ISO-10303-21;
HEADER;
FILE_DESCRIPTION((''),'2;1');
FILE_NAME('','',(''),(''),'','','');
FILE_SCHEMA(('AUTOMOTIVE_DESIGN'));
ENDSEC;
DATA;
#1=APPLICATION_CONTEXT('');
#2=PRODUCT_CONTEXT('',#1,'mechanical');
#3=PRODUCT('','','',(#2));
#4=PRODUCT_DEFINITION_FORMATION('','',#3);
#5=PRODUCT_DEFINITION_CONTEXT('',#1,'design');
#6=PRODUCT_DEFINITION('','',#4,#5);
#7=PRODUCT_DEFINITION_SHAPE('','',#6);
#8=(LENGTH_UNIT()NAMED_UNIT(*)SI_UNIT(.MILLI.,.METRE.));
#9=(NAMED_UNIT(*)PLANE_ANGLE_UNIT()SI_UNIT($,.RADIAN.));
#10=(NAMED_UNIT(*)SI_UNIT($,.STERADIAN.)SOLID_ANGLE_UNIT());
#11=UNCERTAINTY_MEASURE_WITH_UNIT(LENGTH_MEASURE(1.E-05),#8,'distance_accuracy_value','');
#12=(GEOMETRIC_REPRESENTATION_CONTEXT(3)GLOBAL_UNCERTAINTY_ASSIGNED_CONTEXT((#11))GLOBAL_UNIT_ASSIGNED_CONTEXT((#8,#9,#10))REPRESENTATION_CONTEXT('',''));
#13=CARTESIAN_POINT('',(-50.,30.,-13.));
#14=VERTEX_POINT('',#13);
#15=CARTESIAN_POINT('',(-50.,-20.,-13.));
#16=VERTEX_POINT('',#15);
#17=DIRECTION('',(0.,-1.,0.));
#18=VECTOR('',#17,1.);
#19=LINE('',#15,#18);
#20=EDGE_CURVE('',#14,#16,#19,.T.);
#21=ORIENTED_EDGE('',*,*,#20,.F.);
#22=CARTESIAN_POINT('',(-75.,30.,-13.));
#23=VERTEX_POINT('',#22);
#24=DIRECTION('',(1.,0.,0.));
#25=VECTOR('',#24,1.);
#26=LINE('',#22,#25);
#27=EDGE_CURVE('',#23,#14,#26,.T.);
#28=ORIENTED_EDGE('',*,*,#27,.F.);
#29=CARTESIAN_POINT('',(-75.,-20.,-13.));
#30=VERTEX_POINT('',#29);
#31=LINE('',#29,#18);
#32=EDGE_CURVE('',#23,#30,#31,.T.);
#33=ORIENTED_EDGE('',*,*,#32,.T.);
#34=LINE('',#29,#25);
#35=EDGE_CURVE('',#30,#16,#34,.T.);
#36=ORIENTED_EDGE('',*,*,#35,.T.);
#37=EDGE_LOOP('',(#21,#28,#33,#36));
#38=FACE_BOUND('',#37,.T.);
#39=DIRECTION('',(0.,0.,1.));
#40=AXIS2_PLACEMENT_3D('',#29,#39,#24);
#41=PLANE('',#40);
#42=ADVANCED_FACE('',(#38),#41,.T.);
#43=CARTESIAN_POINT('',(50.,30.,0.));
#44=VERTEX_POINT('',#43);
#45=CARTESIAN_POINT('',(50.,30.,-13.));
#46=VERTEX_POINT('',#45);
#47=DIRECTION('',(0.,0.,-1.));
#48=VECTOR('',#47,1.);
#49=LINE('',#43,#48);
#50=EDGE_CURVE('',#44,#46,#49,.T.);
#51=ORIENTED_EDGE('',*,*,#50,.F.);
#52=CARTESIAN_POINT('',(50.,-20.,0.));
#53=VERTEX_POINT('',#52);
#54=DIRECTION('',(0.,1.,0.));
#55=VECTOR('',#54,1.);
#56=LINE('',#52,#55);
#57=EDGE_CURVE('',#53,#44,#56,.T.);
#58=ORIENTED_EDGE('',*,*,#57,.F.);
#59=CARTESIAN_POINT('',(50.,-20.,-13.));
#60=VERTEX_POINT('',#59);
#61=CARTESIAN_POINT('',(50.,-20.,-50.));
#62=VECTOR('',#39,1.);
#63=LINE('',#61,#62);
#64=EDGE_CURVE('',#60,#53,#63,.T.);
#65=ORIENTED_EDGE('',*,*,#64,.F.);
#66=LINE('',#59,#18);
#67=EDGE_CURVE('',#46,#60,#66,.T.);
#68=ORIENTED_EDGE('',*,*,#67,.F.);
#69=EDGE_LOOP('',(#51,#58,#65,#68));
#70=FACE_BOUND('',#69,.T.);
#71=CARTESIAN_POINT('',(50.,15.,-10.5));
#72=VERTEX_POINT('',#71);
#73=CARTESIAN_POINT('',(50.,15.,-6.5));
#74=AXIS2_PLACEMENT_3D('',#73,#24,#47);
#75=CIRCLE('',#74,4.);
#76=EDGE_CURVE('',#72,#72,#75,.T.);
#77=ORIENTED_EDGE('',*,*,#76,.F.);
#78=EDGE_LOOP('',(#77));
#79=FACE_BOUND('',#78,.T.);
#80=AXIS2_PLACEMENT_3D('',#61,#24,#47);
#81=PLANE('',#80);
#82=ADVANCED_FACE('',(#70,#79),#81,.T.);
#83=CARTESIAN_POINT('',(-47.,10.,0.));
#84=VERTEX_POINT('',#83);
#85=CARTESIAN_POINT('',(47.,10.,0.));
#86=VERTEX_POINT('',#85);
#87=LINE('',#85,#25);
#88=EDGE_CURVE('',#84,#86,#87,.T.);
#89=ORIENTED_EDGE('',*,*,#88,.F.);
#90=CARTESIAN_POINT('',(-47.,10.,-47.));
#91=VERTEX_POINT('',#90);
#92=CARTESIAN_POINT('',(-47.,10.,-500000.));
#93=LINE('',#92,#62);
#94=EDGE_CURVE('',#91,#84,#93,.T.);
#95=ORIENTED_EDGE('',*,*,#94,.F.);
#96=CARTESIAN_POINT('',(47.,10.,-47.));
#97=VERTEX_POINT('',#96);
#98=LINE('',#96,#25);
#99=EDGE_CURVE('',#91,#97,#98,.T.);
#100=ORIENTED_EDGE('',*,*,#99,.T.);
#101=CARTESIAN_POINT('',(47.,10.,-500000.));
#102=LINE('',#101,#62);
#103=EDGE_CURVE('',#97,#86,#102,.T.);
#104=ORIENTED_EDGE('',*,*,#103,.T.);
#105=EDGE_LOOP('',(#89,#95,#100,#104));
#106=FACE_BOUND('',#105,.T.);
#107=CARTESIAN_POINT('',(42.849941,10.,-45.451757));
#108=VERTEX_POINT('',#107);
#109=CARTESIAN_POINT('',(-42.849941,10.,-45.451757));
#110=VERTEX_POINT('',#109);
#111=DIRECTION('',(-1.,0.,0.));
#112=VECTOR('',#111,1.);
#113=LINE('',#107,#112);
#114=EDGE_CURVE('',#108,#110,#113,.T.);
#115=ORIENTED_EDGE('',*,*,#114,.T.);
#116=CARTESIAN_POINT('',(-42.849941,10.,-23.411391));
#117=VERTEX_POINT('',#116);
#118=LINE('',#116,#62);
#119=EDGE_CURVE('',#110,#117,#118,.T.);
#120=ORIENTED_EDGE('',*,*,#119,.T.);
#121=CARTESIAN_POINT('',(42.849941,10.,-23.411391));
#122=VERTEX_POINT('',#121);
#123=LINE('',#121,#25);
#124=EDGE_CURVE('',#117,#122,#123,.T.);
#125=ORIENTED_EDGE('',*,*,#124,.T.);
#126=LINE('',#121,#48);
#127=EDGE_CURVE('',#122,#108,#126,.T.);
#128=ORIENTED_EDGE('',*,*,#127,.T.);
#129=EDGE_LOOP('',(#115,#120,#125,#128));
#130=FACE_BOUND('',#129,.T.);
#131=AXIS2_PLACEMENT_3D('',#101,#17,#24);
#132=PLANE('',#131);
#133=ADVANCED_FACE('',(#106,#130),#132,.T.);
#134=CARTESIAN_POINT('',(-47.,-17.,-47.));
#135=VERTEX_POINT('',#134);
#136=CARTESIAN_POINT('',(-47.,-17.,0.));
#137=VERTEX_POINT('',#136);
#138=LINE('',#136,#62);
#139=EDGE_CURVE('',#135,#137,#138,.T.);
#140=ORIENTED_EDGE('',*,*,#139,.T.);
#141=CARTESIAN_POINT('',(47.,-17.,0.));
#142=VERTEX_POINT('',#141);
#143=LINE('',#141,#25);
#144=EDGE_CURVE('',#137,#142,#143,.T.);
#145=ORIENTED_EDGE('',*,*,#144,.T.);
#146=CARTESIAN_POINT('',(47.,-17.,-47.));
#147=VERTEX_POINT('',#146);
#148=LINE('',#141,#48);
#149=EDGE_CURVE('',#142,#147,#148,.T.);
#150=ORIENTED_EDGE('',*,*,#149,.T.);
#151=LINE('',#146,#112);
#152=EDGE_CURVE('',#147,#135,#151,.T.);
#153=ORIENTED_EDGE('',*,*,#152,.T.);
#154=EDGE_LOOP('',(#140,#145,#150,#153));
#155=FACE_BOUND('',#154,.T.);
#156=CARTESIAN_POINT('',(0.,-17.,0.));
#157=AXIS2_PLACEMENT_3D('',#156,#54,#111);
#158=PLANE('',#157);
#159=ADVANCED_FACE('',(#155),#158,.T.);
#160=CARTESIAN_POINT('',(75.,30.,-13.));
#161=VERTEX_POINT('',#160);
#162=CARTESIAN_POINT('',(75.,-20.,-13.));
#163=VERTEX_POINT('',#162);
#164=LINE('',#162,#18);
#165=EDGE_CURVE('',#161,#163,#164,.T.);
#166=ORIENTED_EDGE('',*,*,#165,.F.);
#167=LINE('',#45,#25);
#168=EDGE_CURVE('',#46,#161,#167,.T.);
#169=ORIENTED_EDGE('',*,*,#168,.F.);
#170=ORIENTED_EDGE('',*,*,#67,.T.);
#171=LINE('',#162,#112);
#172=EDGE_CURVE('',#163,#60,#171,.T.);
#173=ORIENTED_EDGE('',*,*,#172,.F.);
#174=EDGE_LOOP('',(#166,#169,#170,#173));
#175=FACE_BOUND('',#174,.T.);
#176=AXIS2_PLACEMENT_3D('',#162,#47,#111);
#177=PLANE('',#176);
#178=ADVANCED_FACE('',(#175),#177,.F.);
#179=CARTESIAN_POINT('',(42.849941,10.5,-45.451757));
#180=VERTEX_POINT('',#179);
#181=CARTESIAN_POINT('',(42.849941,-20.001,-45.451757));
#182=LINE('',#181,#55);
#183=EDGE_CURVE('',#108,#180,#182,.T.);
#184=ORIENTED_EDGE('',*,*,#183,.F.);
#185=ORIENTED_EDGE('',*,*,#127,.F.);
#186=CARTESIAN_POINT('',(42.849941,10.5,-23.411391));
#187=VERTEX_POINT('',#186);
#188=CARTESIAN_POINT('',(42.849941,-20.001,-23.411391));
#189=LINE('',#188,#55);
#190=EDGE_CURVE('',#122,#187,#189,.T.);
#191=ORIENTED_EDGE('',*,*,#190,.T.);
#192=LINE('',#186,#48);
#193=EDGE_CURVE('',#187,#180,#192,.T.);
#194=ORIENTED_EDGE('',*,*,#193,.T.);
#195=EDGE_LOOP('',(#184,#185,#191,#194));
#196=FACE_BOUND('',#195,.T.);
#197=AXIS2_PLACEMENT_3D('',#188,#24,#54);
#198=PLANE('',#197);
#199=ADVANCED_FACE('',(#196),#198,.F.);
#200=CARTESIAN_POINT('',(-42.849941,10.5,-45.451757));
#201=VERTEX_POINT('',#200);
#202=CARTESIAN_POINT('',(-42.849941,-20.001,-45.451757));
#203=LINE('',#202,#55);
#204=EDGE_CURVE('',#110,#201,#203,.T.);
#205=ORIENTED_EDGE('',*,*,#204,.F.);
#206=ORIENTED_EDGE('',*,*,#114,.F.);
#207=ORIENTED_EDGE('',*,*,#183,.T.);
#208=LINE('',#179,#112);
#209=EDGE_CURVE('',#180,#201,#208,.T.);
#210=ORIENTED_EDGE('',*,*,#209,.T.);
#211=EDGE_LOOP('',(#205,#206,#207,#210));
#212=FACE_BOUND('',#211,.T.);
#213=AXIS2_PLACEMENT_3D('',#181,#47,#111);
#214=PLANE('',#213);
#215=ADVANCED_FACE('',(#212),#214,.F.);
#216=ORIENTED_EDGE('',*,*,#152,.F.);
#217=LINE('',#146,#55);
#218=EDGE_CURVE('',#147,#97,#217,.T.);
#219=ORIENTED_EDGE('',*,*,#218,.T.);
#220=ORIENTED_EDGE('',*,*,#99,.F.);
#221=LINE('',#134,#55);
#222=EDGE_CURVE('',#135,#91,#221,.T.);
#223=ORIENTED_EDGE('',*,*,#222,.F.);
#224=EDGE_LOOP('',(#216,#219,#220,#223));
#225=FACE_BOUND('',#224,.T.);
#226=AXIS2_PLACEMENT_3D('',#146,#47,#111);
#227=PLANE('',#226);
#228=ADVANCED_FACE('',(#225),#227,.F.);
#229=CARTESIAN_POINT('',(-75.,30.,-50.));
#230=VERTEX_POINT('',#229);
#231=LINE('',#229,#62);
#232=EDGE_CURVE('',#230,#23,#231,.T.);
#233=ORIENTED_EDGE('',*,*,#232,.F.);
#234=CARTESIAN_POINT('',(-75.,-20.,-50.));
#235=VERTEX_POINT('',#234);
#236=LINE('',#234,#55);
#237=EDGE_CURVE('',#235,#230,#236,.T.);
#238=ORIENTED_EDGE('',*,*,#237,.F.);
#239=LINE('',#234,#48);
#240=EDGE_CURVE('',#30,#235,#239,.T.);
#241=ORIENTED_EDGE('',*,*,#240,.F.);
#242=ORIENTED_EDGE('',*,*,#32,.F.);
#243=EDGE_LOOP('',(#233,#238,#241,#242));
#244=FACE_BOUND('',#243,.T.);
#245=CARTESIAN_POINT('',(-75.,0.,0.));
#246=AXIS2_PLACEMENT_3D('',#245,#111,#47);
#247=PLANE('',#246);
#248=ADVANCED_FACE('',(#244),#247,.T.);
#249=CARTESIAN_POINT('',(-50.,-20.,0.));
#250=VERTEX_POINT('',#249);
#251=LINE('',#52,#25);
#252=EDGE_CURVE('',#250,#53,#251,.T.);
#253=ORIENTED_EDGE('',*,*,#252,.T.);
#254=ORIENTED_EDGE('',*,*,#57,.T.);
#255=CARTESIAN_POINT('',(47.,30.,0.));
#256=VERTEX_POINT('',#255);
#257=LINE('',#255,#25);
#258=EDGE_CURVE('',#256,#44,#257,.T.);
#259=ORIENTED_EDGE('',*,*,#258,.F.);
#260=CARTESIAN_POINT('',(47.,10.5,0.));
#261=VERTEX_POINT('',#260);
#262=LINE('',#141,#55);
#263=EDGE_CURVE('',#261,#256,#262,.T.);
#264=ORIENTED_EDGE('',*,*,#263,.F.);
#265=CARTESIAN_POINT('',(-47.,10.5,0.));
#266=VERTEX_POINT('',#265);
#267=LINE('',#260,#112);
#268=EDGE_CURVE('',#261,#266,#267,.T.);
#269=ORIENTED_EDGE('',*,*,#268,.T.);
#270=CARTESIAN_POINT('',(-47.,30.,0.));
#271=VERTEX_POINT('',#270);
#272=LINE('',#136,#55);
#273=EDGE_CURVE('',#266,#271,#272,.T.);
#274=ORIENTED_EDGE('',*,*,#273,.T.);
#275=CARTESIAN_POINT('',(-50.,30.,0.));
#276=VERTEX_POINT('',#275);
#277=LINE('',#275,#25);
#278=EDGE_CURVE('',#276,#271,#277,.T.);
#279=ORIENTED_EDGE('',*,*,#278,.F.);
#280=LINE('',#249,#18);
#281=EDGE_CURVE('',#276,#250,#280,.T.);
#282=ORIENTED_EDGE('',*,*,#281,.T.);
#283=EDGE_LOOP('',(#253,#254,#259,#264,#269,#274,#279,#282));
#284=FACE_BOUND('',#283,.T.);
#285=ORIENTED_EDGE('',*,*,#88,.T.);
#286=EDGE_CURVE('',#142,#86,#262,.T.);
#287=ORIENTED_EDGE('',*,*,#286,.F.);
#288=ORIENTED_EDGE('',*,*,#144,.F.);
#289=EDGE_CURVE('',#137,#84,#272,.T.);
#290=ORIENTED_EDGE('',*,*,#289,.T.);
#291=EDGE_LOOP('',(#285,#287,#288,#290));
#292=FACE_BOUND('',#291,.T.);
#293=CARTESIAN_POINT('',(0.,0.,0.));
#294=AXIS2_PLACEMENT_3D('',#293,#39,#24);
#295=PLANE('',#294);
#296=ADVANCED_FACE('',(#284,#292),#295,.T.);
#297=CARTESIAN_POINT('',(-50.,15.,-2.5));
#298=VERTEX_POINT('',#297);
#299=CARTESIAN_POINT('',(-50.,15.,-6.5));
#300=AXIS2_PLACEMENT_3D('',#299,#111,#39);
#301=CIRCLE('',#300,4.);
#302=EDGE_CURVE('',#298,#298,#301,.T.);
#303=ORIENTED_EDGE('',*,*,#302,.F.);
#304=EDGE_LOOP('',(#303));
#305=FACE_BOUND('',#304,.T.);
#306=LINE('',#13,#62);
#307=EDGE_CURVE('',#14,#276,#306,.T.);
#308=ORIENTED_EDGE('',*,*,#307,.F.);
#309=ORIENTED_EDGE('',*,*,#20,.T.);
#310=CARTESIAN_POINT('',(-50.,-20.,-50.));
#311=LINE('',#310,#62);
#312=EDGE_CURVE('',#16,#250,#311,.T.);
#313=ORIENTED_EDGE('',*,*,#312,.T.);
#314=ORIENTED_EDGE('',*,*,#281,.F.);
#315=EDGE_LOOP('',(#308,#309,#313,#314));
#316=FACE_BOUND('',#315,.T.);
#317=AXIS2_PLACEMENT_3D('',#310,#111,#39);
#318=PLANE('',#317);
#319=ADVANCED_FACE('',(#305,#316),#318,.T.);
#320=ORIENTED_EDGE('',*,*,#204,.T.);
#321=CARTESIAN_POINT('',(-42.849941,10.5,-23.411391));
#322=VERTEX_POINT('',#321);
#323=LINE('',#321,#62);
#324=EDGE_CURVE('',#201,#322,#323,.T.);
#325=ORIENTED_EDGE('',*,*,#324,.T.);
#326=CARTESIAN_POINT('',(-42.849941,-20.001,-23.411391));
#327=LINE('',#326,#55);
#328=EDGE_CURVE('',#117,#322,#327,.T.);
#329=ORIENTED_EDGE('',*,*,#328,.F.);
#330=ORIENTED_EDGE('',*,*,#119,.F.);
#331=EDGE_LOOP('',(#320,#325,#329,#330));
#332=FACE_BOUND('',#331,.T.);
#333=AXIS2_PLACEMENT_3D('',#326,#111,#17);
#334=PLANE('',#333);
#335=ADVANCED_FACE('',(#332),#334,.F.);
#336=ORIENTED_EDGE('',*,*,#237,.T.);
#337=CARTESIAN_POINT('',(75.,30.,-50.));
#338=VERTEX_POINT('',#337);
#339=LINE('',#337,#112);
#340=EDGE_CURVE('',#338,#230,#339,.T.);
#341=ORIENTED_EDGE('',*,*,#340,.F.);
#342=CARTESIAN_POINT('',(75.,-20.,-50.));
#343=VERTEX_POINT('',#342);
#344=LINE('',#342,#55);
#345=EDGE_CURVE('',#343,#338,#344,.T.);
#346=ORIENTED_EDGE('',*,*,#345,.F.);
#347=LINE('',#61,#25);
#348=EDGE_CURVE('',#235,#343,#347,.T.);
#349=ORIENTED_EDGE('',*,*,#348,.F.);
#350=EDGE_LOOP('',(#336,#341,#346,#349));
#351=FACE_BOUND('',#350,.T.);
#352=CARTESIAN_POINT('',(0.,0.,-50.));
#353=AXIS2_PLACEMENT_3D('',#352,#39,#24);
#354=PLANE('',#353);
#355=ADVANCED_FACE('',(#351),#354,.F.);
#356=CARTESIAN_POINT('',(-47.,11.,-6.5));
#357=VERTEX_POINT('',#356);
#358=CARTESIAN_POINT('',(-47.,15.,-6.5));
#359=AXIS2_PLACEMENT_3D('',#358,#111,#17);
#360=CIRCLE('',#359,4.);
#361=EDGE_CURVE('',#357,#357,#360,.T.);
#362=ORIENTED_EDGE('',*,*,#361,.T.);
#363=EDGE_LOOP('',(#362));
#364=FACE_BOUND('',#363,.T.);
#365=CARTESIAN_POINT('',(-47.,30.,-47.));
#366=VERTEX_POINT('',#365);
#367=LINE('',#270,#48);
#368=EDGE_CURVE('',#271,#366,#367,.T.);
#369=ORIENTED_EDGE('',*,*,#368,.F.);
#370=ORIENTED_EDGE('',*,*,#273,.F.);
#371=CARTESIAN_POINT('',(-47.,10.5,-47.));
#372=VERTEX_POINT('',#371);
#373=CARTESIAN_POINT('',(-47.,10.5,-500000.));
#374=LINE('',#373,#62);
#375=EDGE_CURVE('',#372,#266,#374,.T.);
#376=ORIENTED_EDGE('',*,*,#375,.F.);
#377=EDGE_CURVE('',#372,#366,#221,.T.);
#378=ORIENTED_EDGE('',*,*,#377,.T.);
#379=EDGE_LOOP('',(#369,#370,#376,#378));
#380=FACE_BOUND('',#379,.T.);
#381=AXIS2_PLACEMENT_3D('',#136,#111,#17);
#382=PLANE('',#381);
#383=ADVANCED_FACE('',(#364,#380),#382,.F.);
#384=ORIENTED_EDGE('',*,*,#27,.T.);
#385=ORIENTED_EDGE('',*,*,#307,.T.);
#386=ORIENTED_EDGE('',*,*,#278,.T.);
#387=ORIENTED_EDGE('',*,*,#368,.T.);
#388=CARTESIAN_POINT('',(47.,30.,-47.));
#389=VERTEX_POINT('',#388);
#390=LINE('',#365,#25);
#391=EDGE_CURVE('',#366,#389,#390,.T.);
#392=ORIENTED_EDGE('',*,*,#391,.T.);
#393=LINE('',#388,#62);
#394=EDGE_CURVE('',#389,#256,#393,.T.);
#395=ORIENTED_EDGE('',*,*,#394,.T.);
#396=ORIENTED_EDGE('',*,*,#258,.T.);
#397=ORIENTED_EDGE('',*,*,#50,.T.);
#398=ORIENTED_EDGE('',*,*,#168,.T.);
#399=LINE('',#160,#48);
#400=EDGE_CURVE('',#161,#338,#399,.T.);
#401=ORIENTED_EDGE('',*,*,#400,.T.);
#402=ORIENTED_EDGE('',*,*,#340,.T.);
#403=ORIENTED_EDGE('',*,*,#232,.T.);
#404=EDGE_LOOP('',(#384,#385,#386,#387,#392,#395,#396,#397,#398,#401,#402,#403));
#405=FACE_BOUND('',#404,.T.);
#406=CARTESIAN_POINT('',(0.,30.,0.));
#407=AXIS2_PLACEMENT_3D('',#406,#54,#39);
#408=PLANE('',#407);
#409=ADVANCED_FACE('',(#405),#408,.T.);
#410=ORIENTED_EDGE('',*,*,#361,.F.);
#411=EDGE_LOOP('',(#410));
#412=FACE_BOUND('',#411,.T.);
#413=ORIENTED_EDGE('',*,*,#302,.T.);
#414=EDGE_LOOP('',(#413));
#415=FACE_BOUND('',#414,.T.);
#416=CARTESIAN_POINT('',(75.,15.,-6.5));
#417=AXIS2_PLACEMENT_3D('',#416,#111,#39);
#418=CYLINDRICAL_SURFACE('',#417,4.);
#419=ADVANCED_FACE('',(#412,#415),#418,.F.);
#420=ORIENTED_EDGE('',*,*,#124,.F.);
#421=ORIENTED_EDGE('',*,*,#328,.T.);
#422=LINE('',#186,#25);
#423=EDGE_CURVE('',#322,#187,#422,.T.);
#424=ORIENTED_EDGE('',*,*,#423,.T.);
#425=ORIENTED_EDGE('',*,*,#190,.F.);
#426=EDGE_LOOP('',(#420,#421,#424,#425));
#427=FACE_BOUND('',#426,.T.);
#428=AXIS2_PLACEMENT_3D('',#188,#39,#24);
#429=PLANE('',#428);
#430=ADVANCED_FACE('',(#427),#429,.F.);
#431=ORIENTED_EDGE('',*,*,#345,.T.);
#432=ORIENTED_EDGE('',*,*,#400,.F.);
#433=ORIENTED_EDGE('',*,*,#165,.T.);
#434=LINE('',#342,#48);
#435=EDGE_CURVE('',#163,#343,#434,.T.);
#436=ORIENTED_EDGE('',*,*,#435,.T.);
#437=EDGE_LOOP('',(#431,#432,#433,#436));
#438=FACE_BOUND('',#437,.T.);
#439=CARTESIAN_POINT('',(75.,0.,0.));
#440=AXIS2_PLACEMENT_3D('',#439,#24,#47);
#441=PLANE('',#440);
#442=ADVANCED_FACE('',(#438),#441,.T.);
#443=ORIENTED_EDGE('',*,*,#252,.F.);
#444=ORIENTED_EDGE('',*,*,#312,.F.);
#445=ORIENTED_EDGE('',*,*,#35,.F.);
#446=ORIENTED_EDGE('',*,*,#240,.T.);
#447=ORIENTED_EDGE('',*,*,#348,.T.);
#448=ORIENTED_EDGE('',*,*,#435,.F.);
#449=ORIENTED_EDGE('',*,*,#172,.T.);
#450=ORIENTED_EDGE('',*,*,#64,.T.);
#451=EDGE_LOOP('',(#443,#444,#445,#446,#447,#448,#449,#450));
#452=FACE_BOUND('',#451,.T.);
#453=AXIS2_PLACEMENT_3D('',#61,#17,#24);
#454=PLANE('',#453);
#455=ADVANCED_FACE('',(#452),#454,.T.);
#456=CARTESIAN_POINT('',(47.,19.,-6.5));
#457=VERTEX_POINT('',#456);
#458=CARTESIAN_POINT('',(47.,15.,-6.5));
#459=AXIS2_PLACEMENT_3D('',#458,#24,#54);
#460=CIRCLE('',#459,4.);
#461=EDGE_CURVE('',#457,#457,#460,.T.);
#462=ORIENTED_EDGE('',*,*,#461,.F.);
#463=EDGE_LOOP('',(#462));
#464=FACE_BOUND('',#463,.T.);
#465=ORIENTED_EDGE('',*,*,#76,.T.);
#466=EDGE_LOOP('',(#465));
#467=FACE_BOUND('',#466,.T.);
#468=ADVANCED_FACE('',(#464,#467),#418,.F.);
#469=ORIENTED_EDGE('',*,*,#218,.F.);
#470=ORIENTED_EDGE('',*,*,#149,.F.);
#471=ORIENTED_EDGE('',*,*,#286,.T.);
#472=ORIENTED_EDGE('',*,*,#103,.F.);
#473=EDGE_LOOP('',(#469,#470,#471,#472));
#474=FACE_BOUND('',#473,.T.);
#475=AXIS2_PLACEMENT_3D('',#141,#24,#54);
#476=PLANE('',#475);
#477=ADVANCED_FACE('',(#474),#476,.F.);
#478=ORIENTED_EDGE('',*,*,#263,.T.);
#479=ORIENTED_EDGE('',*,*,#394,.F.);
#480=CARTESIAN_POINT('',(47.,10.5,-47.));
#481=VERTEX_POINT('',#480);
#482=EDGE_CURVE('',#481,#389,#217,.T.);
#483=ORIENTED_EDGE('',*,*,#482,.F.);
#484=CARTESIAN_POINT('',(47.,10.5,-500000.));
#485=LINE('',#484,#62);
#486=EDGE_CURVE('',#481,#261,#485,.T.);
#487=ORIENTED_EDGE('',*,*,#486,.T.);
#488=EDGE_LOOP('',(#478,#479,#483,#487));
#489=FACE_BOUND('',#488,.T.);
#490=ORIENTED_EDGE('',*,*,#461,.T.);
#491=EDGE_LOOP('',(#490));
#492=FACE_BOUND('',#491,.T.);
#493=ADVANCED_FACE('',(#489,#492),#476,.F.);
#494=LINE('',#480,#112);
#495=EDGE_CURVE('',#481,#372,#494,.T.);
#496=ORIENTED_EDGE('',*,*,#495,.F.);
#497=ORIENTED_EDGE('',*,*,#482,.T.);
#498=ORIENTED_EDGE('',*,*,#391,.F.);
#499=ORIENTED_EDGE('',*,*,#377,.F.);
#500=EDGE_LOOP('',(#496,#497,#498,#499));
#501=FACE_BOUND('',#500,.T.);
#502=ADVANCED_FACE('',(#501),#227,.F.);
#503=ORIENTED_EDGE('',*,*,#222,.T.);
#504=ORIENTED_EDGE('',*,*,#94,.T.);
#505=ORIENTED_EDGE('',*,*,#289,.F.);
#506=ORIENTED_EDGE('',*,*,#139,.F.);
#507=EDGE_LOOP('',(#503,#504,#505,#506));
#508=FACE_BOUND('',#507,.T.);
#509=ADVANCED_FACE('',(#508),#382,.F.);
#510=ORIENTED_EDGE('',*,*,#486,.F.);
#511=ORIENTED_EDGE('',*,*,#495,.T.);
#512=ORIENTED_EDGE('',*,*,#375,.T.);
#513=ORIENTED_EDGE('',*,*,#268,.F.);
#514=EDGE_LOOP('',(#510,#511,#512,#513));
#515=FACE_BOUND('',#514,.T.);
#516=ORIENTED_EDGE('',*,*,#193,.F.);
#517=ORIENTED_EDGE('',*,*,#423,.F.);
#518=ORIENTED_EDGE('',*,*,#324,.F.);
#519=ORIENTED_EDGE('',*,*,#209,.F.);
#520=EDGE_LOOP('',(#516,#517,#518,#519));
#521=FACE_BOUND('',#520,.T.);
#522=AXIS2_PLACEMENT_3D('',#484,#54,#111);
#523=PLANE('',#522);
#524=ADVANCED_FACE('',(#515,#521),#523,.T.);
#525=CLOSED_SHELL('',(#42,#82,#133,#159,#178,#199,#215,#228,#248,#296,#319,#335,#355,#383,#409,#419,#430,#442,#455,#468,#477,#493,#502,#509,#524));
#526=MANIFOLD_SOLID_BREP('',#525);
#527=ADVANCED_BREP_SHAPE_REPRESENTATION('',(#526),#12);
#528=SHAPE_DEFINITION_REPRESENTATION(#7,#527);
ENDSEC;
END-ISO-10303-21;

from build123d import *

# Parameters (mm, degrees)
SKETCH1_W           = 100
SKETCH1_H           = 40
BOSS_EXTRUDE1_DEPTH = 50
SKETCH2_W           = 94
SKETCH2_H           = 47
CUT_EXTRUDE1_DEPTH  = 37
SKETCH3_W           = 37
SKETCH3_H           = 40
BOSS_EXTRUDE2_DEPTH = 25
SKETCH4_R           = 4
CUT_EXTRUDE2_DEPTH  = 137.106575888
BOSS_EXTRUDE3_DEPTH = 10
BOSS_EXTRUDE4_REACH = 97
SKETCH7_W           = 94
SKETCH7_H           = 0.5
CUT_EXTRUDE3_REACH  = 97.159
SKETCH8_W           = 85.699881722
SKETCH8_H           = 22.040366035


with BuildPart() as part:
    # Sketch1 → Boss-Extrude1 (new body)
    with BuildSketch(Plane.XY):
        Rectangle(SKETCH1_W, SKETCH1_H)
    extrude(amount=-BOSS_EXTRUDE1_DEPTH)

    # Sketch2 → Cut-Extrude1 (cut)
    with BuildSketch(Plane(origin=(0, 20, 0), x_dir=(1, 0, 0), z_dir=(0, 1, 0))):
        with Locations((0, 23.5)):
            Rectangle(SKETCH2_W, SKETCH2_H)
    extrude(amount=-CUT_EXTRUDE1_DEPTH, mode=Mode.SUBTRACT)

    # Sketch3 → Boss-Extrude2 (add)
    with BuildSketch(Plane(origin=(50, 0, 0), x_dir=(0, 0, -1), z_dir=(1, 0, 0))):
        with Locations((31.5, 0)):
            Rectangle(SKETCH3_W, SKETCH3_H)
    boss_extrude2 = extrude(amount=BOSS_EXTRUDE2_DEPTH)

    # Mirror2: Boss-Extrude2 across plane
    add(boss_extrude2.mirror(Plane.ZY))

    # Sketch4 → Cut-Extrude2 (cut, through all)
    with BuildSketch(Plane.ZY.offset(50)):
        with Locations(Location((-6.5, 15, 0), (0, 0, 90))):
            Circle(SKETCH4_R)
    extrude(amount=-CUT_EXTRUDE2_DEPTH, mode=Mode.SUBTRACT)

    # Sketch6 → Boss-Extrude3 (add)
    with BuildSketch(Plane(origin=(0, 20, 0), x_dir=(1, 0, 0), z_dir=(0, 1, 0))):
        Polygon((-47, 0), (-47, 47), (47, 47), (47, 0), (50, 0), (50, 13), (75, 13), (75, 50), (-75, 50), (-75, 13), (-50, 13), (-50, 0), align=None)
    extrude(amount=BOSS_EXTRUDE3_DEPTH)

    # Sketch7 → Boss-Extrude4 (add, up to next)
    with BuildSketch(Plane.XY, mode=Mode.PRIVATE) as boss_extrude4_sk1:
        with Locations((0, 10.25)):
            Rectangle(SKETCH7_W, SKETCH7_H)
    boss_extrude4_tool1 = extrude(boss_extrude4_sk1.sketch, amount=-BOSS_EXTRUDE4_REACH, mode=Mode.PRIVATE) - part.part
    add(boss_extrude4_tool1.solids().sort_by_distance((0, 10.25, 0))[0])

    # Sketch8 → Cut-Extrude3 (cut, up to next)
    with BuildSketch(Plane(origin=(0, 10.5, 0), x_dir=(1, 0, 0), z_dir=(0, 1, 0)), mode=Mode.PRIVATE) as cut_extrude3_sk1:
        with Locations((0, 34.43157355)):
            Rectangle(SKETCH8_W, SKETCH8_H)
    cut_extrude3_tool1 = extrude(cut_extrude3_sk1.sketch, amount=-CUT_EXTRUDE3_REACH, mode=Mode.PRIVATE) & part.part
    add(cut_extrude3_tool1.solids().sort_by_distance((0, 10.5, -34.431574))[0], mode=Mode.SUBTRACT)


solid = part.part
